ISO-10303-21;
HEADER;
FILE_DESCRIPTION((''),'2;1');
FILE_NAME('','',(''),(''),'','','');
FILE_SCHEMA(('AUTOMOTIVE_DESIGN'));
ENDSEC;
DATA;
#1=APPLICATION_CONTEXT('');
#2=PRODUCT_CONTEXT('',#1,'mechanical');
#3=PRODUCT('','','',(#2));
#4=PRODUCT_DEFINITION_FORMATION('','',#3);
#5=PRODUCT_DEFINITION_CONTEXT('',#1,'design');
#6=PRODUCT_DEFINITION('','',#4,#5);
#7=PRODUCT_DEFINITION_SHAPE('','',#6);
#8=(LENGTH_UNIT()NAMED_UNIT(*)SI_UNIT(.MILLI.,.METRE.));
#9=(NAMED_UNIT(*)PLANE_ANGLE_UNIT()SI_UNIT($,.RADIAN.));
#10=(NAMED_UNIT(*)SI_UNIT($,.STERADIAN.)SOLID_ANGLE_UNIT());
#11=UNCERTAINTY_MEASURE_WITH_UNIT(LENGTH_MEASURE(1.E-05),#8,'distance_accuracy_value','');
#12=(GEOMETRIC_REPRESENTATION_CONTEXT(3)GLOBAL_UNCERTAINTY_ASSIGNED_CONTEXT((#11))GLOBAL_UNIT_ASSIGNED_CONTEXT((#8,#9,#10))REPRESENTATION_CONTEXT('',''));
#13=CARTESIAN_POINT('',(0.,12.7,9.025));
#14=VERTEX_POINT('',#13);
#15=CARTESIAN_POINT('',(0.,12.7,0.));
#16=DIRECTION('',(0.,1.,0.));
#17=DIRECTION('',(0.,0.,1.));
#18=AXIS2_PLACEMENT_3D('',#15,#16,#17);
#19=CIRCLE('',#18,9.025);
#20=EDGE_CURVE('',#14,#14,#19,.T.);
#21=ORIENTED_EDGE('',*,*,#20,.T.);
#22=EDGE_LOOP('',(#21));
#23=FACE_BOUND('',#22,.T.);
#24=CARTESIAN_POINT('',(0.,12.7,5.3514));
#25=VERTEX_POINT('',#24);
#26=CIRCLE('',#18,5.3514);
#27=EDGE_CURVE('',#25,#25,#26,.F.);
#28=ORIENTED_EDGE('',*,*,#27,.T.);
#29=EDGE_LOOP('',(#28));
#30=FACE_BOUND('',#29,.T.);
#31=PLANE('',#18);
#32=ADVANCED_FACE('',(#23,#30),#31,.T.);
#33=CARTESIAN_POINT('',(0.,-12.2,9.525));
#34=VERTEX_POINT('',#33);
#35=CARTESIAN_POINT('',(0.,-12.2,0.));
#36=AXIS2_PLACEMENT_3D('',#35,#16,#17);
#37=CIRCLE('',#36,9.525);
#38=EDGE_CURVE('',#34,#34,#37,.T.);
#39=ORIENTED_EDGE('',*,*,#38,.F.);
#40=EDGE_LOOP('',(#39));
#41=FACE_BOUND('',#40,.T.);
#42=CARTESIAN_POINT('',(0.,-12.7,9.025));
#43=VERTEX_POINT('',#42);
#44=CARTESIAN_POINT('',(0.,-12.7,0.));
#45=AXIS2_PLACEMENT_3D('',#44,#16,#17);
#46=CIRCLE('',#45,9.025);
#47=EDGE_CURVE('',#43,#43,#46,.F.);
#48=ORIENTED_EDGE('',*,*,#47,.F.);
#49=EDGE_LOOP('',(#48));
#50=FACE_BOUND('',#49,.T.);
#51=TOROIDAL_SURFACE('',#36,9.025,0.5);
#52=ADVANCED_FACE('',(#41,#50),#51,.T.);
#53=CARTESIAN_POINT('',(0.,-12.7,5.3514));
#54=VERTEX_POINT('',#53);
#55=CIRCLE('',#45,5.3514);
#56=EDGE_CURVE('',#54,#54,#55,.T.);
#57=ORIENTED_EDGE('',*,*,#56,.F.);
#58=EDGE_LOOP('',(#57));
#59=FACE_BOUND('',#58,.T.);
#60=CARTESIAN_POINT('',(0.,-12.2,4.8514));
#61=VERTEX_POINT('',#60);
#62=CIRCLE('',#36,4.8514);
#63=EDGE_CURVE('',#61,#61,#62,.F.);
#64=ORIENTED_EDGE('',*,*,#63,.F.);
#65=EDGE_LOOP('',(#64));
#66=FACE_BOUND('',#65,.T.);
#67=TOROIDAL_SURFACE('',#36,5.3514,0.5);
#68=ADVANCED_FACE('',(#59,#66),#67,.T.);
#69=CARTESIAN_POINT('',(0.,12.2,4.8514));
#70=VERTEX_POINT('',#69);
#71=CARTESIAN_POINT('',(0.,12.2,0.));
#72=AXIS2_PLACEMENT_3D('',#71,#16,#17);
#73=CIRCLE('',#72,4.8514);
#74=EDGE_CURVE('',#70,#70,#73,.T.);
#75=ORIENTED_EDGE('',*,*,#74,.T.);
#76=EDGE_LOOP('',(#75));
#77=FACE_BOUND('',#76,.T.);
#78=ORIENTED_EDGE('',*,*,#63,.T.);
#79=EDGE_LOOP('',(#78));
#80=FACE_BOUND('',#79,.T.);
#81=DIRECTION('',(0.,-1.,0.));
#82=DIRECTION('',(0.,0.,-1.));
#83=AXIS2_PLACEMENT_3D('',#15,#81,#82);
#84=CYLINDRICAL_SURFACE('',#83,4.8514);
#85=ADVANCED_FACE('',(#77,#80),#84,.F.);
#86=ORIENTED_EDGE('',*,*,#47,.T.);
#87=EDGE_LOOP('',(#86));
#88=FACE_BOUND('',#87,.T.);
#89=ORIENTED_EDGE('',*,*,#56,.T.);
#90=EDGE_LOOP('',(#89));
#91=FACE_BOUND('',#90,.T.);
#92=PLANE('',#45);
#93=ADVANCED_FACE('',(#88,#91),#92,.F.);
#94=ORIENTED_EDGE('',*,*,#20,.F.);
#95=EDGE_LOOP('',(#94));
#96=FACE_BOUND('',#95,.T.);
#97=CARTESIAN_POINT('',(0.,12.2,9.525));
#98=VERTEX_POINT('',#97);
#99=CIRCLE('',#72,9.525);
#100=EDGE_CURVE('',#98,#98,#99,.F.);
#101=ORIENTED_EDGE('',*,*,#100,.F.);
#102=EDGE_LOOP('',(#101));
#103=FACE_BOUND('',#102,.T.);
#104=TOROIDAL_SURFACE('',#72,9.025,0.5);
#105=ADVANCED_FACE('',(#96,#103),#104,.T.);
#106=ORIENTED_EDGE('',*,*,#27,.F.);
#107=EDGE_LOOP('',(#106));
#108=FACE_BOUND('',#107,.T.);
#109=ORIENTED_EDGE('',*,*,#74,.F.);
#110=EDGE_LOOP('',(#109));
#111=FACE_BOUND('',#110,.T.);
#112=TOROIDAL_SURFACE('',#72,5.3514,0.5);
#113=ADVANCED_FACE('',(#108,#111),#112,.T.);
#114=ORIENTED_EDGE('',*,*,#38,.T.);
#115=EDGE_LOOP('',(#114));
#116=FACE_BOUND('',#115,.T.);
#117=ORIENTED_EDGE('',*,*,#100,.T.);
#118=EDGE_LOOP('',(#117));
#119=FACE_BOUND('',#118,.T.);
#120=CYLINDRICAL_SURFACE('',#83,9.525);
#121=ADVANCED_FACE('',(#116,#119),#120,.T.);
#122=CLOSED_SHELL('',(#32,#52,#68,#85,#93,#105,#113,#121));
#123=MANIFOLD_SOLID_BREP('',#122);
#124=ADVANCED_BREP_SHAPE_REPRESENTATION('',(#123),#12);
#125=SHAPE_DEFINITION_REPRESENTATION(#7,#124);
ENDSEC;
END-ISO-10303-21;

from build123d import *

# Parameters (mm, degrees)
ESQUISSE2_R        = 9.525
ESQUISSE2_R_2      = 4.8514
BOSS_EXTRU_1_DEPTH = 12.7
CONG_2_R           = 0.5


with BuildPart() as part:
    # Esquisse2 → Boss.-Extru.1 (new body, symmetric)
    with BuildSketch(Plane(origin=(0, 0, 0), x_dir=(1, 0, 0), z_dir=(0, 1, 0))):
        Circle(ESQUISSE2_R)
        Circle(ESQUISSE2_R_2, mode=Mode.SUBTRACT)
    extrude(amount=BOSS_EXTRU_1_DEPTH, both=True)

    # Congé2
    cong_2_edges = [part.edges().sort_by_distance(p)[0] for p in [
        (-9.525, -12.7, 0),
        (-9.525, 12.7, 0),
        (-4.8514, -12.7, 0),
        (-4.8514, 12.7, 0),
    ]]
    fillet(cong_2_edges, radius=CONG_2_R)


solid = part.part
